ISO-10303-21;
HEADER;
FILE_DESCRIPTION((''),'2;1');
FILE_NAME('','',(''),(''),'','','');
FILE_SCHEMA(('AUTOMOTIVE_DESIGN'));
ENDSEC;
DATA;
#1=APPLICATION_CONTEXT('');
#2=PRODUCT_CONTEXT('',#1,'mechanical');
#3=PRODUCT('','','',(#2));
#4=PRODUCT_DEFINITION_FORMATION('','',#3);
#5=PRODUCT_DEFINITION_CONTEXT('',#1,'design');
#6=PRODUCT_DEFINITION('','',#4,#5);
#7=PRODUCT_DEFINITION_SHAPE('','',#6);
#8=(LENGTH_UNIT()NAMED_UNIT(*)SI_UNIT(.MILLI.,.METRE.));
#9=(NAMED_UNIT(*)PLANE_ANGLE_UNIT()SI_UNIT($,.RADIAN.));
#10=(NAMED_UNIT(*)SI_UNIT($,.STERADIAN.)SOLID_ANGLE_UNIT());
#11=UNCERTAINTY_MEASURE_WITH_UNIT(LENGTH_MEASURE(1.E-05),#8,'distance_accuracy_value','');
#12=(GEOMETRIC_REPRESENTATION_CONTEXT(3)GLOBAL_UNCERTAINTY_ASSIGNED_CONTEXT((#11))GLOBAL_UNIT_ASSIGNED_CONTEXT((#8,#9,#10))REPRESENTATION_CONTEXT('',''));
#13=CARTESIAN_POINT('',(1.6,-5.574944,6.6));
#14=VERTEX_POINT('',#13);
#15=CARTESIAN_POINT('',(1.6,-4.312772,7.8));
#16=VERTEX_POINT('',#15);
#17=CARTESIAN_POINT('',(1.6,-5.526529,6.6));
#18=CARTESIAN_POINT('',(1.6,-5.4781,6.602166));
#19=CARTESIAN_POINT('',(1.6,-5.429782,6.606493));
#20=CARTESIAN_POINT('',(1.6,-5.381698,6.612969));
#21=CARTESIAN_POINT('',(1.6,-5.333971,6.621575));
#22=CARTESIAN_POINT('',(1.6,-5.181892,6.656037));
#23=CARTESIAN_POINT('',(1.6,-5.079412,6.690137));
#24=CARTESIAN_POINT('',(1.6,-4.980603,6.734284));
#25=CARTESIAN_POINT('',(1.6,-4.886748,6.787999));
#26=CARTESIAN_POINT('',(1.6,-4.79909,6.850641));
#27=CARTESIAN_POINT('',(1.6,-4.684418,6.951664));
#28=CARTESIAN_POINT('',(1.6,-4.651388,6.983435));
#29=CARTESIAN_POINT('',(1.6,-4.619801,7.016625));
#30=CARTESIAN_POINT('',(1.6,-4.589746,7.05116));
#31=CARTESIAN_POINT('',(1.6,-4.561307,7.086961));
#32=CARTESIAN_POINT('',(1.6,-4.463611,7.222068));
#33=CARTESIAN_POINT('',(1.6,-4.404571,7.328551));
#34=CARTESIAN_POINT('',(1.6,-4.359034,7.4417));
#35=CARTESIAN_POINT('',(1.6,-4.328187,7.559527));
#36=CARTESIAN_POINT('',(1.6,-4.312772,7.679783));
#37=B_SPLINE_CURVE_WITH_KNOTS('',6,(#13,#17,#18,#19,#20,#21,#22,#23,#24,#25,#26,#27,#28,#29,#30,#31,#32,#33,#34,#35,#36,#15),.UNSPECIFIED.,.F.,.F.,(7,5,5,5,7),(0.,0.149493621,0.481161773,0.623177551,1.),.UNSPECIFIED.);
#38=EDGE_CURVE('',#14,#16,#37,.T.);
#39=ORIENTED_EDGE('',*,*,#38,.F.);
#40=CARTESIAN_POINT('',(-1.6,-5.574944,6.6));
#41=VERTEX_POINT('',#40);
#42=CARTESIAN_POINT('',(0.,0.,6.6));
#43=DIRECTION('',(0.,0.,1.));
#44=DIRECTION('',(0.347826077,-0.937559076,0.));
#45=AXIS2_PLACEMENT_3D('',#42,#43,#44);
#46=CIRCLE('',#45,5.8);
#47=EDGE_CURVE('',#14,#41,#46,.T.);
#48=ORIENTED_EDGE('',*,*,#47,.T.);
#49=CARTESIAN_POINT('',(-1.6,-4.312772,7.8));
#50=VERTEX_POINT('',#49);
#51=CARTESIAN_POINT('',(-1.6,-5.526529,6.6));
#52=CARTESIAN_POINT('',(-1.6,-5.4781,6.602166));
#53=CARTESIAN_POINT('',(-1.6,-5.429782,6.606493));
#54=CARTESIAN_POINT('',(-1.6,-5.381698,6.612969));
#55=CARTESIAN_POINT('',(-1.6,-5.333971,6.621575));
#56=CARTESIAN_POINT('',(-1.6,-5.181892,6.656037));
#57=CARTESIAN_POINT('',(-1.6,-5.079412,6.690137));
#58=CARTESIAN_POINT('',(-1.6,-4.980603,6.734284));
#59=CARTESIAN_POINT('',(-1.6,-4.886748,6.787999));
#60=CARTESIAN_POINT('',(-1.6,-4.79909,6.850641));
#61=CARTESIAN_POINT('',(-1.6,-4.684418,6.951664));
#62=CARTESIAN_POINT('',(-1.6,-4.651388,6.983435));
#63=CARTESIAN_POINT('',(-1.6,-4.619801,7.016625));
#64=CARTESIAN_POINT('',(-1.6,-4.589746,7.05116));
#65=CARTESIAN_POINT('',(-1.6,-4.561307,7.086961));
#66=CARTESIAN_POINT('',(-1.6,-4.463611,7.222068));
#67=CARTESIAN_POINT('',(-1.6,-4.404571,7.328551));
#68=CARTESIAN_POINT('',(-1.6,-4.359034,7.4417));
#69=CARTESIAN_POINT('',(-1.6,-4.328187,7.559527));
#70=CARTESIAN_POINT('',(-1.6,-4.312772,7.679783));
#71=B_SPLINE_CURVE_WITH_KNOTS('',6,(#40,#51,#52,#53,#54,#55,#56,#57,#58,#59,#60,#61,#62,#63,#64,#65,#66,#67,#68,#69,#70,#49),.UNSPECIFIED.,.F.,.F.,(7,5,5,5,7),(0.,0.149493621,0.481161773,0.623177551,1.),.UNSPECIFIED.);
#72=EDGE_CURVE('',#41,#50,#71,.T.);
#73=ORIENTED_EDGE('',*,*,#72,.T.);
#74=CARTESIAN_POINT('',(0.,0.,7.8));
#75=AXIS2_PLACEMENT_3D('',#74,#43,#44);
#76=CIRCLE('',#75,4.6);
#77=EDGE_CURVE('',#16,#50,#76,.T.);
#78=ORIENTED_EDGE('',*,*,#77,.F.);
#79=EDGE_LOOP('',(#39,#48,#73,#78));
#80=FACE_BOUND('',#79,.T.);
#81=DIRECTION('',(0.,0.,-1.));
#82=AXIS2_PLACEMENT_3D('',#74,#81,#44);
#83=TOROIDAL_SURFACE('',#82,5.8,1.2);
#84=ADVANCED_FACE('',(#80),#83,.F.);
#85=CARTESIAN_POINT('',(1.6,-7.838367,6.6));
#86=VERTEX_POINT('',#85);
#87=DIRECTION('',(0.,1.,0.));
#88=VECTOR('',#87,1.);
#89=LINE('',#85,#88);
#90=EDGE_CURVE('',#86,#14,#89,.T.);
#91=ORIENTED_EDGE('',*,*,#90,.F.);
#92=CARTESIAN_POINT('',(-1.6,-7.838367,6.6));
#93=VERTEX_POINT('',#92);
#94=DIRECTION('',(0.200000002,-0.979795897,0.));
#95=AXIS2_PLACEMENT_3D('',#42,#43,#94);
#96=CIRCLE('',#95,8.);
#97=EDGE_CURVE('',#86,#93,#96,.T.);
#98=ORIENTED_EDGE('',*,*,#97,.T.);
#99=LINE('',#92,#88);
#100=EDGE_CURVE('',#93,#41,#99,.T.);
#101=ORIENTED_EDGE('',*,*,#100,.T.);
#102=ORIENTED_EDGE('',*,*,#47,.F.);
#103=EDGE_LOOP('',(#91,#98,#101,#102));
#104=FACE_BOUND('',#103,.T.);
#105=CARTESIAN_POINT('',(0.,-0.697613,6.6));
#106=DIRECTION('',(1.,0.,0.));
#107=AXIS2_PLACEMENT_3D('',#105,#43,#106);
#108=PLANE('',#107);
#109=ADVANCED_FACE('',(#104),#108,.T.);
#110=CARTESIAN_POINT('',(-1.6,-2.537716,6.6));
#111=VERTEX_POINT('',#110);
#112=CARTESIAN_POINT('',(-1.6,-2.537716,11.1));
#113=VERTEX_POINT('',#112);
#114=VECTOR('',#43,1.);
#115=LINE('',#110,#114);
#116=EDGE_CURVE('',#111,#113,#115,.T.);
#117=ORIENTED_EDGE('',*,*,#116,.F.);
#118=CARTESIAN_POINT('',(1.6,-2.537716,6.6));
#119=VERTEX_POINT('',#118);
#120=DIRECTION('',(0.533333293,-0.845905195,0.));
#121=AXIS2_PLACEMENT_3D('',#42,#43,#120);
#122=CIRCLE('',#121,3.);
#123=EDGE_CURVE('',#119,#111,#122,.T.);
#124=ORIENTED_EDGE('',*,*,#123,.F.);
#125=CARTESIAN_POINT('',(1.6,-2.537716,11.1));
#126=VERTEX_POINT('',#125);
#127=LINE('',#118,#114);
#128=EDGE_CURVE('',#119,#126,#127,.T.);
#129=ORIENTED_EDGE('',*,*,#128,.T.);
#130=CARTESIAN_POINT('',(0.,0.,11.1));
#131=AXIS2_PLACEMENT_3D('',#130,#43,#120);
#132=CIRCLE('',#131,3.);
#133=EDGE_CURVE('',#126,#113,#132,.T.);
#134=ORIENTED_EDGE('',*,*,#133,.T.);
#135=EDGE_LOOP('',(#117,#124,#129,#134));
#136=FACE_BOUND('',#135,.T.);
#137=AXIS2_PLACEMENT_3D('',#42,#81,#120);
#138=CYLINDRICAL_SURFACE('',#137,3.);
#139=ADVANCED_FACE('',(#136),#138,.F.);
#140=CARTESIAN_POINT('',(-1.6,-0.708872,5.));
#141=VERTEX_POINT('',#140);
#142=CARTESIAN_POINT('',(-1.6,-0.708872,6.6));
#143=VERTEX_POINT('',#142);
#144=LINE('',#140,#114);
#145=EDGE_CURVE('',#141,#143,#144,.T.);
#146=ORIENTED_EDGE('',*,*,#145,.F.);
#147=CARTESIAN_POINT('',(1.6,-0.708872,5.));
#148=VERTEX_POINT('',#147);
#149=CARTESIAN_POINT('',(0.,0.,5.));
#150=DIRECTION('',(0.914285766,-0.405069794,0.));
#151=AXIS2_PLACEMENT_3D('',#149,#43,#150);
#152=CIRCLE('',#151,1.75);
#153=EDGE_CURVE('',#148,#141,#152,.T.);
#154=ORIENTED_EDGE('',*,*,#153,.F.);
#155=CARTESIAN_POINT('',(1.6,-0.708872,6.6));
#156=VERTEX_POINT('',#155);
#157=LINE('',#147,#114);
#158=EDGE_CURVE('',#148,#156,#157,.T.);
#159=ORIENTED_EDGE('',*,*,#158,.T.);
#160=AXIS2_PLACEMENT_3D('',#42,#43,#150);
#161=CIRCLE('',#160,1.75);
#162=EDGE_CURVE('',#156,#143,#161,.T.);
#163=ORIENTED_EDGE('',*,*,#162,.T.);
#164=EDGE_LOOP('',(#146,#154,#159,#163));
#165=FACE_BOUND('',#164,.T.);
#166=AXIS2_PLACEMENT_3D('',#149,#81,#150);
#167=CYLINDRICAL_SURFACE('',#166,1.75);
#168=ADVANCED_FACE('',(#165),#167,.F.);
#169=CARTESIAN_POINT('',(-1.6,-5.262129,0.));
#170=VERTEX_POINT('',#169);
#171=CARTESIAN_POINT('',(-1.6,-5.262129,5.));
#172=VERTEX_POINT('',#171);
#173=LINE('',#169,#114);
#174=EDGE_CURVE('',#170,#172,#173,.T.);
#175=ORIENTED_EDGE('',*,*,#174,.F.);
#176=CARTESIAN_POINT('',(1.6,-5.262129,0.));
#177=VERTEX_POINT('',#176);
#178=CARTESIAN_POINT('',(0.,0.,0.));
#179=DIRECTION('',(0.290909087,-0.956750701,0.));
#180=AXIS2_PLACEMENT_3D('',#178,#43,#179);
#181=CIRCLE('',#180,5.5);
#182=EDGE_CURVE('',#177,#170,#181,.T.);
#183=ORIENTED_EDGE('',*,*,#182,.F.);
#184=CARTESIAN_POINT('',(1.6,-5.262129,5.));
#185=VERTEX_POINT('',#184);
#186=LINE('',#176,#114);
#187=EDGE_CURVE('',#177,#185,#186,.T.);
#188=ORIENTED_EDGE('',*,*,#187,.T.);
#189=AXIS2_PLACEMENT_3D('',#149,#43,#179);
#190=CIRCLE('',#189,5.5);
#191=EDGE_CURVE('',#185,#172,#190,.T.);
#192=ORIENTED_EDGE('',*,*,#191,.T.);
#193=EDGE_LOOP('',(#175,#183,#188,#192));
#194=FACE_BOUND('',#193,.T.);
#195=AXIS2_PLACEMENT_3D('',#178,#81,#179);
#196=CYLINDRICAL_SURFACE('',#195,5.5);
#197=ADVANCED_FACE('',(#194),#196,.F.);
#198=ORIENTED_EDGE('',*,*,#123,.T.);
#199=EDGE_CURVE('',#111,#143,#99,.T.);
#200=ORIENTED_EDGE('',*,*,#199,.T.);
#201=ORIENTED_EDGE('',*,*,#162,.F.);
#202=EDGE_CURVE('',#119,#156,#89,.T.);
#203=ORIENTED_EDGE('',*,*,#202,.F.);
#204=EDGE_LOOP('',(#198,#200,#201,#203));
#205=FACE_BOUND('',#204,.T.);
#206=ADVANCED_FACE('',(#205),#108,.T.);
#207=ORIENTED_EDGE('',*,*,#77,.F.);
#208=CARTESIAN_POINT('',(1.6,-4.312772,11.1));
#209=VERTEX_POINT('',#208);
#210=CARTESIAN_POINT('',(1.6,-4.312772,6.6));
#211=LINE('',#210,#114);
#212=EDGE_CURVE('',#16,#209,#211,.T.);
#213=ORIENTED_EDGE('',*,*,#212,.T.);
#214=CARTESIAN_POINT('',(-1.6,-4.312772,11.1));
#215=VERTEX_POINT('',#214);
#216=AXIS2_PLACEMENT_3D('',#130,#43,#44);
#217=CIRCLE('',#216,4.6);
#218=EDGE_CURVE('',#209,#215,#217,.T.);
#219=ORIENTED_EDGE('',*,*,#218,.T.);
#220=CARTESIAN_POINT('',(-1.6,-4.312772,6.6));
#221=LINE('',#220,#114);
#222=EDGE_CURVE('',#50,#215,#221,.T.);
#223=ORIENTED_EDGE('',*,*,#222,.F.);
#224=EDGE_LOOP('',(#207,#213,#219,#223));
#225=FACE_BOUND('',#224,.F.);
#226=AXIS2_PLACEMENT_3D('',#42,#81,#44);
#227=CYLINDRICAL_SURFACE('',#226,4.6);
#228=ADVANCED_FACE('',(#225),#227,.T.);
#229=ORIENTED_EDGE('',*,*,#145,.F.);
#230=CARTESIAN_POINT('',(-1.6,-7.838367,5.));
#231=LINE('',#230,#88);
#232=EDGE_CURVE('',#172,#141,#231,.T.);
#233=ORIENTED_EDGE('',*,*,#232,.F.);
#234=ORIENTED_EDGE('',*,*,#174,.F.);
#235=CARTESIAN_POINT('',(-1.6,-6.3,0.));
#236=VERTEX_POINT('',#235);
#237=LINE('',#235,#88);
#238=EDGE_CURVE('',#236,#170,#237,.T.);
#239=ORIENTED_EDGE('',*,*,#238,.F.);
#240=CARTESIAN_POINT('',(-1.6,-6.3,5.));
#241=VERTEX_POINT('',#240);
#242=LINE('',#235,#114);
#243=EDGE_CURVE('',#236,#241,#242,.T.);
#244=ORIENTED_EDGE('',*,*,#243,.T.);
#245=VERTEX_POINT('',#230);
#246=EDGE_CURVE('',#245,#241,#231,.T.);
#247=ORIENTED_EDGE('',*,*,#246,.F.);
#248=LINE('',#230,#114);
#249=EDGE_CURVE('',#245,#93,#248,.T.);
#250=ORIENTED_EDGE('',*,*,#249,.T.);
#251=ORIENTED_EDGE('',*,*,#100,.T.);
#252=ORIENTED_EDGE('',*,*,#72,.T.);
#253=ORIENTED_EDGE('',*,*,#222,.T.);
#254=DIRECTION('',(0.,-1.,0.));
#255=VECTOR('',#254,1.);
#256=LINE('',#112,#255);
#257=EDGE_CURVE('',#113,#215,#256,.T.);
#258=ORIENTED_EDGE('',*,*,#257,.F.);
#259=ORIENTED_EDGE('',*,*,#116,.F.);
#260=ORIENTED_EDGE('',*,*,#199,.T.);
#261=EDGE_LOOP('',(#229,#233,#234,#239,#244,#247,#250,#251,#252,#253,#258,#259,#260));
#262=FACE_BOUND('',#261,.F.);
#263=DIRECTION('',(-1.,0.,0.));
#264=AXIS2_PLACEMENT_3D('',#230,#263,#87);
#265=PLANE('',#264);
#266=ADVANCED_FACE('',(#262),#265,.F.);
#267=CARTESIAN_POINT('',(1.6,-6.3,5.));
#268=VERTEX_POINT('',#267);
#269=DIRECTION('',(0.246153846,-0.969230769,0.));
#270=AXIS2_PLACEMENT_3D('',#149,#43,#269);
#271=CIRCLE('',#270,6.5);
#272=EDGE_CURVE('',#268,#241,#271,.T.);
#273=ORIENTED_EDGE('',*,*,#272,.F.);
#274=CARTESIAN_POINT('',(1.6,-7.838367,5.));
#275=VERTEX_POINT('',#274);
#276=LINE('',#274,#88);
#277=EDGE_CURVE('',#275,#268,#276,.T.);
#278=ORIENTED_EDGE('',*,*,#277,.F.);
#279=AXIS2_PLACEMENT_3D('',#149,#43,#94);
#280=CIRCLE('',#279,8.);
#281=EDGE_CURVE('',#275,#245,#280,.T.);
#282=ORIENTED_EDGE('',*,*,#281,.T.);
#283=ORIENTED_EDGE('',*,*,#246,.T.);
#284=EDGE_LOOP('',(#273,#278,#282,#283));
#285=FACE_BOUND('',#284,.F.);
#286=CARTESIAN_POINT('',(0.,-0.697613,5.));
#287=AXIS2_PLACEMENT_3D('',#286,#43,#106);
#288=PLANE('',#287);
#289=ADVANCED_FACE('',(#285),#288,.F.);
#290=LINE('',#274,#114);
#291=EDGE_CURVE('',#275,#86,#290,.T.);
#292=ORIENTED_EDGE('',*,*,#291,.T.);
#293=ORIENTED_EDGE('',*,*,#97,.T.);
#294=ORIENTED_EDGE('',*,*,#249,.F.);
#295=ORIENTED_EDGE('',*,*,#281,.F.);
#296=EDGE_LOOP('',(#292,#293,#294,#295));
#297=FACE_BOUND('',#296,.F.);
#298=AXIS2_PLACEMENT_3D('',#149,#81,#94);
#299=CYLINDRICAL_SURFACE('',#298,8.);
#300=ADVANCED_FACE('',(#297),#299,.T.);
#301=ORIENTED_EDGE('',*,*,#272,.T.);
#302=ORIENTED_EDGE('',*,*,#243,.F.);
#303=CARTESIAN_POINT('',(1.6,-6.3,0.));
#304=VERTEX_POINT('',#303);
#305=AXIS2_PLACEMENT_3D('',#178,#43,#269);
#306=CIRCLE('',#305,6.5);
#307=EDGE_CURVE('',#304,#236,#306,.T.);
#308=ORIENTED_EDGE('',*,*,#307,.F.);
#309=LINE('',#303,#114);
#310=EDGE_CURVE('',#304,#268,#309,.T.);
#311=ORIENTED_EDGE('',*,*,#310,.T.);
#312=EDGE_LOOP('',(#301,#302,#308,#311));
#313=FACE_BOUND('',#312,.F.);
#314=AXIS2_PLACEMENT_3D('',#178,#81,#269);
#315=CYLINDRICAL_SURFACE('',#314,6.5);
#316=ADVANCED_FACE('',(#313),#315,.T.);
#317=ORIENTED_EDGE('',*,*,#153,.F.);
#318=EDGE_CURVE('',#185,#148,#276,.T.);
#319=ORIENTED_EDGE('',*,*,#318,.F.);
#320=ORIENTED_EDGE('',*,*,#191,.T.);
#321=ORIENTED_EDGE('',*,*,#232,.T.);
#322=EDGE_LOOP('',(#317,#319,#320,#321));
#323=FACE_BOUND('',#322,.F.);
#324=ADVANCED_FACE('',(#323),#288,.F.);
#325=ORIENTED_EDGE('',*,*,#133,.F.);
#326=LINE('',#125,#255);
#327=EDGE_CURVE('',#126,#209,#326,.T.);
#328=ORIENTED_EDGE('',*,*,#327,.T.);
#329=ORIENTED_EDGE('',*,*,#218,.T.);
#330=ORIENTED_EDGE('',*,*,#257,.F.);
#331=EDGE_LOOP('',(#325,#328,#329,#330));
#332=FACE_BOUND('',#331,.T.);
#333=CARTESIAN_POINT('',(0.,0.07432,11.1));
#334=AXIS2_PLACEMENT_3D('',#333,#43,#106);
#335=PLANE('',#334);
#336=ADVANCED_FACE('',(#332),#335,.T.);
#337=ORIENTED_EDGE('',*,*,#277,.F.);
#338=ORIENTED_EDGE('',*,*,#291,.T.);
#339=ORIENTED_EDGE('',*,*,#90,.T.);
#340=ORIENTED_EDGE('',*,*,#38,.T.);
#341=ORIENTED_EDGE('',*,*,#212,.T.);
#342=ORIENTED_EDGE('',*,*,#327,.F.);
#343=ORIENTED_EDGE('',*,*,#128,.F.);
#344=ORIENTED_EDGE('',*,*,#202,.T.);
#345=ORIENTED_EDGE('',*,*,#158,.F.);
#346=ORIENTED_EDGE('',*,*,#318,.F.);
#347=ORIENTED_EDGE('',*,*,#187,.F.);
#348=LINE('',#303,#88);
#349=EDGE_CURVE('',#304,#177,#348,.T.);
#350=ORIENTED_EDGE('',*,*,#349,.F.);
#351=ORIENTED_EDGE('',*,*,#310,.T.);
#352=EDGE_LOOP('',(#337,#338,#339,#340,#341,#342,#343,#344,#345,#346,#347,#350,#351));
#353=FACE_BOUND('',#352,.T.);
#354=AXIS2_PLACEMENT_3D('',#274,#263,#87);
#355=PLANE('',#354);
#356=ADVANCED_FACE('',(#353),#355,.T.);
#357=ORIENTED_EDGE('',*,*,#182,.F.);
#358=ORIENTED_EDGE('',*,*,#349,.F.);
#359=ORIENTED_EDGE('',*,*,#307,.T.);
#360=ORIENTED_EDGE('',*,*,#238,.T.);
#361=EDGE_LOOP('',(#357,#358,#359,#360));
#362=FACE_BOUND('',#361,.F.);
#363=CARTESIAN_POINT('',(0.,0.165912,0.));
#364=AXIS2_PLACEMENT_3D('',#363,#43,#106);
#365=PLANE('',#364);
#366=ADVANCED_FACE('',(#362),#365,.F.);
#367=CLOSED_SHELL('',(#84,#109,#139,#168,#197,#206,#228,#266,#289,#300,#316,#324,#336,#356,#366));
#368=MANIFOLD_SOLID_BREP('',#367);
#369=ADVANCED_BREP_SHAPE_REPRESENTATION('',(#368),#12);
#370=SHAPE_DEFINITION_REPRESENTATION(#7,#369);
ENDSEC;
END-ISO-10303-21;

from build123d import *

# Parameters (mm, degrees)
PAD_DEPTH    = 5
PAD001_DEPTH = 1.6
PAD002_DEPTH = 4.5
FILLET_R     = 1.2


with BuildPart() as part:
    # Sketch → Pad (new body)
    with BuildSketch(Plane.XY):
        with BuildLine():
            ThreePointArc((1.6, -6.3), (0, 6.5), (-1.6, -6.3))
            Line((-1.6, -6.3), (-1.6, -5.262129))
            ThreePointArc((1.6, -5.262129), (0, 5.5), (-1.6, -5.262129))
            Line((1.6, -6.3), (1.6, -5.262129))
        make_face()
    extrude(amount=PAD_DEPTH)

    # Sketch001 (on Face6 of Pad) → Pad001 (join)
    with BuildSketch(Plane.XY.offset(5)):
        with BuildLine():
            ThreePointArc((1.6, -7.838367), (0, 8), (-1.6, -7.838367))
            Line((-1.6, -7.838367), (-1.6, -0.708872))
            ThreePointArc((1.6, -0.708872), (0, 1.75), (-1.6, -0.708872))
            Line((1.6, -7.838367), (1.6, -0.708872))
        make_face()
    extrude(amount=PAD001_DEPTH)

    # Sketch002 (on Face5 of Pad001) → Pad002 (join)
    with BuildSketch(Plane.XY.offset(6.6)):
        with BuildLine():
            ThreePointArc((1.6, -4.312772), (0, 4.6), (-1.6, -4.312772))
            Line((-1.6, -2.537716), (-1.6, -4.312772))
            ThreePointArc((1.6, -2.537716), (0, 3), (-1.6, -2.537716))
            Line((1.6, -2.537716), (1.6, -4.312772))
        make_face()
    extrude(amount=PAD002_DEPTH)

    # Fillet
    fillet_edges = [part.edges().sort_by_distance(p)[0] for p in [
        (0, 4.6, 6.6),
    ]]
    fillet(fillet_edges, radius=FILLET_R)


solid = part.part
